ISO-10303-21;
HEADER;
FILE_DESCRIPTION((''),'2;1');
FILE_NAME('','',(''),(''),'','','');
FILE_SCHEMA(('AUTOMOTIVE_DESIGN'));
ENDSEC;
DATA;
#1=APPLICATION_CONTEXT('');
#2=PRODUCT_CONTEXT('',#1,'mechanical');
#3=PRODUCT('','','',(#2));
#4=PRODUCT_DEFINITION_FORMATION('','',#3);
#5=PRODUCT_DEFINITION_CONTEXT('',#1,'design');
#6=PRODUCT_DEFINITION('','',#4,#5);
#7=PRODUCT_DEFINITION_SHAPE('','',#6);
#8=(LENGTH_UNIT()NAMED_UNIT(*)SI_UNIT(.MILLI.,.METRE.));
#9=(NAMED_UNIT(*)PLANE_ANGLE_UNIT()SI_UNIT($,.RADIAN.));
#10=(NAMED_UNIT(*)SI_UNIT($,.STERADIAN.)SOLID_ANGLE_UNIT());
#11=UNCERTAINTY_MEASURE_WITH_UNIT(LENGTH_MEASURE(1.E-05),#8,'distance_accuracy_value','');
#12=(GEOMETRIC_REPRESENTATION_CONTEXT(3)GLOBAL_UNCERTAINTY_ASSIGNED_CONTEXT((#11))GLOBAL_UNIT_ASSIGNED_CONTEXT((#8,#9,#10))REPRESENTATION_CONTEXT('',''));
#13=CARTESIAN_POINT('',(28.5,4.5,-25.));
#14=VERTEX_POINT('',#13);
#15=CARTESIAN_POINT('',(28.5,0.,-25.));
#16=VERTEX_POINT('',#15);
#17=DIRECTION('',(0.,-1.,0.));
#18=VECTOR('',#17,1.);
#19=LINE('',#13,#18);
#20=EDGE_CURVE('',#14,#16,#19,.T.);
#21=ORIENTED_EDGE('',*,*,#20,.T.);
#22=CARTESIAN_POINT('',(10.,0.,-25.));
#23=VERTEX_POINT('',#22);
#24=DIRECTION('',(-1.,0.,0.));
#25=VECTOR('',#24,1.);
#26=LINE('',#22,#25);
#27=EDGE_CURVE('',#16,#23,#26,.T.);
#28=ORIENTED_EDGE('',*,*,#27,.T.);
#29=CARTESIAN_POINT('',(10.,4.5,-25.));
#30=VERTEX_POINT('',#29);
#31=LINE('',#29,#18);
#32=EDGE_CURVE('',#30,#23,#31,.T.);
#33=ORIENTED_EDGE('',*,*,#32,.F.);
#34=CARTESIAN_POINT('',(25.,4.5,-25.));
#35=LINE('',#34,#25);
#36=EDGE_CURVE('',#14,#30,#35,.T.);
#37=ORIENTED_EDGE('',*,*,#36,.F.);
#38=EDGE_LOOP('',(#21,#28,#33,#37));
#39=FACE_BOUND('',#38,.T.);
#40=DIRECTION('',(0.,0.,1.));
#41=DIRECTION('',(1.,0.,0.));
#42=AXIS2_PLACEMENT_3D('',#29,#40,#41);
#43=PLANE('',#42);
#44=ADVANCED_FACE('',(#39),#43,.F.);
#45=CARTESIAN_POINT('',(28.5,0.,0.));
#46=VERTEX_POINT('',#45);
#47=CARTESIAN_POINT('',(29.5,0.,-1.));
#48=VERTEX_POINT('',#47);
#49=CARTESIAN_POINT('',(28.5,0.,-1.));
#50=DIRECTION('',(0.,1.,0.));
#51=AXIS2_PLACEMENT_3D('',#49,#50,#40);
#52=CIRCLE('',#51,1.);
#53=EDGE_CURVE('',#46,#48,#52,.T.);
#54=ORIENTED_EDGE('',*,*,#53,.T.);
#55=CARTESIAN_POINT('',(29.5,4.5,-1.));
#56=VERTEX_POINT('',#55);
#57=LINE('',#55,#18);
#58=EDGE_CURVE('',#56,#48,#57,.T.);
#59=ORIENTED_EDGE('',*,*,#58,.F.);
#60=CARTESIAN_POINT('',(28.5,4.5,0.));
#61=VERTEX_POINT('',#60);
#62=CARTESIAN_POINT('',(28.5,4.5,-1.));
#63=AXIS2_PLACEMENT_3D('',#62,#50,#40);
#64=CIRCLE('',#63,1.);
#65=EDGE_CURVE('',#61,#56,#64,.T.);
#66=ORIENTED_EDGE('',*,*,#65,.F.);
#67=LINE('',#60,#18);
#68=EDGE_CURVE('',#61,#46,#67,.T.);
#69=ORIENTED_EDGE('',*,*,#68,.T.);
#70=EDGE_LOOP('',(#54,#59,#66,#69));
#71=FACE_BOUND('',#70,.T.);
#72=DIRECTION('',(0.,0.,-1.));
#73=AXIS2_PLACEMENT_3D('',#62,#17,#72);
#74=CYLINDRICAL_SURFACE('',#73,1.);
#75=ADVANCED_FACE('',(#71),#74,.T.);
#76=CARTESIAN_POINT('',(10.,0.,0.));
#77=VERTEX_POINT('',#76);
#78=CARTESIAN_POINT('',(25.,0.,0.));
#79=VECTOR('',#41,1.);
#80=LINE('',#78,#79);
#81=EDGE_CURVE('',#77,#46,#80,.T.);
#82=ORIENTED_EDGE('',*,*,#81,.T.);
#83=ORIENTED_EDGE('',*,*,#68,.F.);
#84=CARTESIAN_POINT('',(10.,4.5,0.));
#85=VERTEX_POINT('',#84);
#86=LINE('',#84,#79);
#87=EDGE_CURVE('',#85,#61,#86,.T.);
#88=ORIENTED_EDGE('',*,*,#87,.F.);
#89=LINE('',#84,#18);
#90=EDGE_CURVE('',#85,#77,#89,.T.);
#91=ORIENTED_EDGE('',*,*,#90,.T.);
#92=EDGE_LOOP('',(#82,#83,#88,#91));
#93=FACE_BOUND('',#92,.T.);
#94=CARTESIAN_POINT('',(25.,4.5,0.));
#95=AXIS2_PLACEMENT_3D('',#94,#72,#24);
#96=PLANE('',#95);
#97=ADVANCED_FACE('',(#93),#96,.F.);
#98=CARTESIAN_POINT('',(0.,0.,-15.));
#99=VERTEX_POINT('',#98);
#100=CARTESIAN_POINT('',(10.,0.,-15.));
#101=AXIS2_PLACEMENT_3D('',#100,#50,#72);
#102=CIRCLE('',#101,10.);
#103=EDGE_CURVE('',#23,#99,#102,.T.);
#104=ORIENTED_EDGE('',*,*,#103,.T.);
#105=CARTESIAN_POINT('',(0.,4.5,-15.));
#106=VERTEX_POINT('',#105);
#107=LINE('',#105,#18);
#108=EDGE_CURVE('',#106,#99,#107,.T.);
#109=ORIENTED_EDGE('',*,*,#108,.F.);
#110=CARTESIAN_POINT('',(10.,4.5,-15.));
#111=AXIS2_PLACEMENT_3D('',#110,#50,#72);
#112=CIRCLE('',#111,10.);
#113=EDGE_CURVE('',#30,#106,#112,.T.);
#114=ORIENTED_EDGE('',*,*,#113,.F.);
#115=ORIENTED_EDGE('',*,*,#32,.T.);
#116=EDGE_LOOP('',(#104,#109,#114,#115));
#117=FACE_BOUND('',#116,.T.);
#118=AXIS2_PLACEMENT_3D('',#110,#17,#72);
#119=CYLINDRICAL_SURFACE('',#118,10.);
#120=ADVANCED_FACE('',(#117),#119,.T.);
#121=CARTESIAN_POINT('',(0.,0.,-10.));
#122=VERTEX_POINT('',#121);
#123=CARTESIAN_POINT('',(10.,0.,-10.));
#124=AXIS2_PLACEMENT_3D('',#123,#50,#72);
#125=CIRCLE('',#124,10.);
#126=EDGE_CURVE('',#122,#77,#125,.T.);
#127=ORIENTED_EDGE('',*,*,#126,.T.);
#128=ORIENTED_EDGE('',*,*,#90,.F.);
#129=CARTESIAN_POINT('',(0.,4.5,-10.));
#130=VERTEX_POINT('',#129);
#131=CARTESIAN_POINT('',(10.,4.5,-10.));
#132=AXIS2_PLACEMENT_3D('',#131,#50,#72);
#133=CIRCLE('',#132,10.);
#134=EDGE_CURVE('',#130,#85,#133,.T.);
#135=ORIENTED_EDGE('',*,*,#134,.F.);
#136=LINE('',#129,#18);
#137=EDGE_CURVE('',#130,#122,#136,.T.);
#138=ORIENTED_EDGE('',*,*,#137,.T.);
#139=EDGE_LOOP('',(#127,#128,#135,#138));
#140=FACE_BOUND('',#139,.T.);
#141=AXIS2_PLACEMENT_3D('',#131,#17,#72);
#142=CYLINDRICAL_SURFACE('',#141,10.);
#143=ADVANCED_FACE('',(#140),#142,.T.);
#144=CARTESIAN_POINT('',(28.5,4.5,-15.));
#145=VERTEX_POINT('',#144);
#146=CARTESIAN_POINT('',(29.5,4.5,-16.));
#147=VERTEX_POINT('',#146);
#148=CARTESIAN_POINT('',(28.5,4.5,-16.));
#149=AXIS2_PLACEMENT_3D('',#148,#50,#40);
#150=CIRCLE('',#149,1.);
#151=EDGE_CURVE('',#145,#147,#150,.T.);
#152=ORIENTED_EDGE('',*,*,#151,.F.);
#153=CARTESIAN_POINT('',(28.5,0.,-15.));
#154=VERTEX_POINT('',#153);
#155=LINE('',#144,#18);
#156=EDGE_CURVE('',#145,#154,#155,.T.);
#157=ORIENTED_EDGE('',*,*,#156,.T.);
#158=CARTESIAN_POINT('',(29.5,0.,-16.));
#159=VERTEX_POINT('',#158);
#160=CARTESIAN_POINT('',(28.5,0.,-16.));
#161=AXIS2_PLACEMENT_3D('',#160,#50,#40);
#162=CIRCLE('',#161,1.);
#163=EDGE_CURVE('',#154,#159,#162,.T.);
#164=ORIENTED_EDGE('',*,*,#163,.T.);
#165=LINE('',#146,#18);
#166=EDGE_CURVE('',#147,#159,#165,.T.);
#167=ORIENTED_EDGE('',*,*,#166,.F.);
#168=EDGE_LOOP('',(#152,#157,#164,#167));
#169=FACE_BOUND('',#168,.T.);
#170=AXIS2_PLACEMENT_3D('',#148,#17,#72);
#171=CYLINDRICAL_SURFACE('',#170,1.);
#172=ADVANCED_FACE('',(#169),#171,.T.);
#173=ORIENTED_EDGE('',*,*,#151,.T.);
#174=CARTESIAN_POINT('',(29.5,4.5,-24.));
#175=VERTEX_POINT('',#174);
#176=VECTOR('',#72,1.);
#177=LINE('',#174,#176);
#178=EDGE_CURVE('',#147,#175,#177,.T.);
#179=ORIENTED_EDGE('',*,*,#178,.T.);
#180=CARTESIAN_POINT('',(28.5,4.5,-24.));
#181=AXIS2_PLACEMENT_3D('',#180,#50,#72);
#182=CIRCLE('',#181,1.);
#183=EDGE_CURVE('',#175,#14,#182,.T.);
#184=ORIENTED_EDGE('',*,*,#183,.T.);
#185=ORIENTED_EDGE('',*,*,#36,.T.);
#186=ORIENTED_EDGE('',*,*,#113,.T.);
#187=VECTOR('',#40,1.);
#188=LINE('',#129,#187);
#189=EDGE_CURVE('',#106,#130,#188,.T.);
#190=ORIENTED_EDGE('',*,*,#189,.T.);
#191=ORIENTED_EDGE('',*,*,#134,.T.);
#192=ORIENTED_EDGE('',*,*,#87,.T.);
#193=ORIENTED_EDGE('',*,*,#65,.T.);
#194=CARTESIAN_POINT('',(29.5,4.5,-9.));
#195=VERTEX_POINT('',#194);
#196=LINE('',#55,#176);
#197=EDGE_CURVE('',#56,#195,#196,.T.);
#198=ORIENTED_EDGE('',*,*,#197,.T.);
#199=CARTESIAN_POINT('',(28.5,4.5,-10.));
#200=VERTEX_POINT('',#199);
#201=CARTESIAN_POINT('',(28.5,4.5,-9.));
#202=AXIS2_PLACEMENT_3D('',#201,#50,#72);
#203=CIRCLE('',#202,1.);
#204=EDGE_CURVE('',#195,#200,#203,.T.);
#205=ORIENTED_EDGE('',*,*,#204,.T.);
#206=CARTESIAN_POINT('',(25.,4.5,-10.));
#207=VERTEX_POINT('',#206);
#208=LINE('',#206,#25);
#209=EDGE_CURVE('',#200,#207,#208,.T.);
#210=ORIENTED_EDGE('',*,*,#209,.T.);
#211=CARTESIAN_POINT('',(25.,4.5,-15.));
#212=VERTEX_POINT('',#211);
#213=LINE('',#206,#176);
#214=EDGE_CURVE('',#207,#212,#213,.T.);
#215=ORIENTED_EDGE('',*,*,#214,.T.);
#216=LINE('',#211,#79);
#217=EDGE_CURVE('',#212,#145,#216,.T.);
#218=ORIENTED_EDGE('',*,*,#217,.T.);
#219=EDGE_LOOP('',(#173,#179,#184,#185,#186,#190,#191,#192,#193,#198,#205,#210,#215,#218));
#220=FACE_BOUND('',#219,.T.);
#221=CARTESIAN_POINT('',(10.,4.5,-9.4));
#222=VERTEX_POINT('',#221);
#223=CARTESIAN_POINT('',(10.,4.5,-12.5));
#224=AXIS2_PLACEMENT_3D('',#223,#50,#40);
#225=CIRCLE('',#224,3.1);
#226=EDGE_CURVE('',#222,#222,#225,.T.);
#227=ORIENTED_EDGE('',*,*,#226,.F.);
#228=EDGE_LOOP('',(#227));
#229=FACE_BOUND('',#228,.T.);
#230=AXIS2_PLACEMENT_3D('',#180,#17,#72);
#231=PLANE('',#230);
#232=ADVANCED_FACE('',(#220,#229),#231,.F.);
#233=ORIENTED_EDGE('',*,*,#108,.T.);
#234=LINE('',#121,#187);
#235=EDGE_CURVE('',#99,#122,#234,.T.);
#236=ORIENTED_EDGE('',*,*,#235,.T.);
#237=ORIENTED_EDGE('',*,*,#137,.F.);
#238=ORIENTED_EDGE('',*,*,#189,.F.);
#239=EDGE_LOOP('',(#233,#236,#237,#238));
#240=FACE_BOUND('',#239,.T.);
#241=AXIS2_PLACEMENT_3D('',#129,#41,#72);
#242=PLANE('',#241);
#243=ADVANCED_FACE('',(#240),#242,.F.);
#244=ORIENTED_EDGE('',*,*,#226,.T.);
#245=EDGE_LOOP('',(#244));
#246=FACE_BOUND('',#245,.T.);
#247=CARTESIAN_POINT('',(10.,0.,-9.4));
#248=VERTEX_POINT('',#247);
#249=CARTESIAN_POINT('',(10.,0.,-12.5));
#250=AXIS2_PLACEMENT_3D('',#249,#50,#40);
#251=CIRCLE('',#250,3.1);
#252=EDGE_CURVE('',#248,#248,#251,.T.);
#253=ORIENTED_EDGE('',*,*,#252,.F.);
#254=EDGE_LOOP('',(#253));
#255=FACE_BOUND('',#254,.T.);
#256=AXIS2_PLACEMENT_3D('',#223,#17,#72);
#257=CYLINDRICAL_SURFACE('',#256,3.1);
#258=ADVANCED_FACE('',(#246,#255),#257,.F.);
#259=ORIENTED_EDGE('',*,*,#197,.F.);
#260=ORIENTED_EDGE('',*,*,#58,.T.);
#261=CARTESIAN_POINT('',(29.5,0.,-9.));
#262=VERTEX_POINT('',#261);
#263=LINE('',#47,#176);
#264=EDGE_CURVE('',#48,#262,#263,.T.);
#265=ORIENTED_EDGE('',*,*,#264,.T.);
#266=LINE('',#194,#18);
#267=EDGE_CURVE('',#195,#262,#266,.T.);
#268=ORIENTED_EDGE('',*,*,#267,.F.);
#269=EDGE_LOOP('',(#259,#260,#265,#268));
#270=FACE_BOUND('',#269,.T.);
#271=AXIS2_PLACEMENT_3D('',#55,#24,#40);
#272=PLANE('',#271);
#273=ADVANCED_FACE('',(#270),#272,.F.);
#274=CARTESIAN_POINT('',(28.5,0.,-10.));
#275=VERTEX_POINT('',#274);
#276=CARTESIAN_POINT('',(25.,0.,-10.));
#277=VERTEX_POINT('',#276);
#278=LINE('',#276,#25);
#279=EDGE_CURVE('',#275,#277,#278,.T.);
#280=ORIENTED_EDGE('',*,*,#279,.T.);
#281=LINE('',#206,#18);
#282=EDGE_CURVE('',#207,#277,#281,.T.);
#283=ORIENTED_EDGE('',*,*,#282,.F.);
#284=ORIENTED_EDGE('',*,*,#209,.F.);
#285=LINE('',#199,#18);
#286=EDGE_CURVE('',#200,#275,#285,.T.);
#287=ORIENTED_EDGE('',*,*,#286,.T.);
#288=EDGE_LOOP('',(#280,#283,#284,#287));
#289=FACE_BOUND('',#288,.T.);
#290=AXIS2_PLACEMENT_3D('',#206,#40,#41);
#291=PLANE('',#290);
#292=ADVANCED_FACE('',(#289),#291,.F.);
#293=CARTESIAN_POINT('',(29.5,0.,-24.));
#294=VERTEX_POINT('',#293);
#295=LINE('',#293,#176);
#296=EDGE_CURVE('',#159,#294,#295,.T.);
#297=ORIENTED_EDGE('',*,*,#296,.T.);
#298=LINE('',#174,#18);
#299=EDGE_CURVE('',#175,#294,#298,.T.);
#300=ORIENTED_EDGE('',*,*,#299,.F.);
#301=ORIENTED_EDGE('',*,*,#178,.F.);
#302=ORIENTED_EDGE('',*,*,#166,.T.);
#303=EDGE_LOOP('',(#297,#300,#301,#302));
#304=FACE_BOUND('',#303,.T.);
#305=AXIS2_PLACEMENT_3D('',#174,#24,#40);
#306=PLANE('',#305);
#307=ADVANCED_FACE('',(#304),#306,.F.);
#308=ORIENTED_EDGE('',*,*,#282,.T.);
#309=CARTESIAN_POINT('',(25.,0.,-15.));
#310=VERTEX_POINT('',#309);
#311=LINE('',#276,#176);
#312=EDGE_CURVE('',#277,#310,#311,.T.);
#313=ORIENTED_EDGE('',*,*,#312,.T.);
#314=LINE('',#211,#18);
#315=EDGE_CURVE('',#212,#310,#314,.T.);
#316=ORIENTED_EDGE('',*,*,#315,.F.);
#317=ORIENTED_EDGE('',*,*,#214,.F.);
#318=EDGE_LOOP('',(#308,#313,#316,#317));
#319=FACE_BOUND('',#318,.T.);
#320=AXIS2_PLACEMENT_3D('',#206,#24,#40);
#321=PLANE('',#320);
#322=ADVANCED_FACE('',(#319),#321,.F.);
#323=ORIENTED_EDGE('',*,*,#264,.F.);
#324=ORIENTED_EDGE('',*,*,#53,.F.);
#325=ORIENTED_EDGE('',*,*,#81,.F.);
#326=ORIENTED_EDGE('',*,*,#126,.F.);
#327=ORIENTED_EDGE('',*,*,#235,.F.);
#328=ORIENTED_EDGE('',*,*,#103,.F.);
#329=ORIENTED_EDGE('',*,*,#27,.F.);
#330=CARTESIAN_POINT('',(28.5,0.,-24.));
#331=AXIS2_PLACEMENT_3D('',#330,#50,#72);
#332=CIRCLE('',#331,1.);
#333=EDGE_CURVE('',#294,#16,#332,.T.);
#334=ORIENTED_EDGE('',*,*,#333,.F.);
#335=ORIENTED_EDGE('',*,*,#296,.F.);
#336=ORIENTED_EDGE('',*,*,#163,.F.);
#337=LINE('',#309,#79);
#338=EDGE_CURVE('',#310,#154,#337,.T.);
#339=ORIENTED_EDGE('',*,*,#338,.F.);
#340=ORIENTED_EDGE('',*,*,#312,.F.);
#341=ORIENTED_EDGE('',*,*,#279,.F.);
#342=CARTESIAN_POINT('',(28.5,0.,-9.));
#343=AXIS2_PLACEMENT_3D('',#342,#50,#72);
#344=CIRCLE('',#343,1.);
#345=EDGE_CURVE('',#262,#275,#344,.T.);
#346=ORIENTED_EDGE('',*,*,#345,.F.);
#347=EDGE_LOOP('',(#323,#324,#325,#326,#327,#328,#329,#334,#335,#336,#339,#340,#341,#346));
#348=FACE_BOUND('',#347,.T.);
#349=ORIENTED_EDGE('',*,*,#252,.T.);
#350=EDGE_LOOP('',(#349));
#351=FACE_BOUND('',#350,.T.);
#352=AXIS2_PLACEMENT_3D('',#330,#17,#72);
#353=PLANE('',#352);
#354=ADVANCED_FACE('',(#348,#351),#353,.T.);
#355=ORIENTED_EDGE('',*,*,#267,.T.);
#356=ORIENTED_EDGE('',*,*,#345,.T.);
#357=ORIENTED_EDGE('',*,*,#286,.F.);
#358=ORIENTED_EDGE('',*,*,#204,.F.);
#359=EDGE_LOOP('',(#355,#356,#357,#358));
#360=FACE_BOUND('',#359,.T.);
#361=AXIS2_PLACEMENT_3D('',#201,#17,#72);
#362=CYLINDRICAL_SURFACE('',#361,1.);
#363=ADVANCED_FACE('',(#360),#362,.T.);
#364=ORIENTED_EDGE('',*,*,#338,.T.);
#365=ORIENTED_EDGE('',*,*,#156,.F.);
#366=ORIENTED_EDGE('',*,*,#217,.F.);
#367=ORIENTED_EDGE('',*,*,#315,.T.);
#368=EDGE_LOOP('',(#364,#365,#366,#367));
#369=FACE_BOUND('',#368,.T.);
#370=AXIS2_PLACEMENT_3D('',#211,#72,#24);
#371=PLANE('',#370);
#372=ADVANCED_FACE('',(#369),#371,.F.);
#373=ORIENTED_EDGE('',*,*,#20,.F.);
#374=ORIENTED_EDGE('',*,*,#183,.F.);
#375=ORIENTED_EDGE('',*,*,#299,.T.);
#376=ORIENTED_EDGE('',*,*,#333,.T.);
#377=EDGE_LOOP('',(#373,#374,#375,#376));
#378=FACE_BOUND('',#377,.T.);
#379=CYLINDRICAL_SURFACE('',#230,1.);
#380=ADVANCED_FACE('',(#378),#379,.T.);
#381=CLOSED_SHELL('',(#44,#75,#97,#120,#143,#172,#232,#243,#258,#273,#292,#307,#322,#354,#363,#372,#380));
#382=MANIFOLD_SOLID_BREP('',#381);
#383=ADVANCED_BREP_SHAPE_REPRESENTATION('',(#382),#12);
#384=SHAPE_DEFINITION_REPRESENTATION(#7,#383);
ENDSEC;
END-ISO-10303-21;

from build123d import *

# Parameters (mm, degrees)
SKETCH1_R           = 3.1
BOSS_EXTRUDE1_DEPTH = 4.5


with BuildPart() as part:
    # Sketch1 → Boss-Extrude1 (new body)
    with BuildSketch(Plane(origin=(0, 0, 0), x_dir=(1, 0, 0), z_dir=(0, 1, 0))):
        with BuildLine():
            Line((10, 0), (25, 0))
            Line((25, 0), (28.5, 0))
            ThreePointArc((28.5, 0), (29.207106781, 0.292893219), (29.5, 1))
            Line((29.5, 1), (29.5, 9))
            ThreePointArc((29.5, 9), (29.207106781, 9.707106781), (28.5, 10))
            Line((28.5, 10), (25, 10))
            Line((25, 10), (25, 15))
            Line((25, 15), (28.5, 15))
            ThreePointArc((28.5, 15), (29.207106781, 15.292893219), (29.5, 16))
            Line((29.5, 16), (29.5, 24))
            ThreePointArc((29.5, 24), (29.207106781, 24.707106781), (28.5, 25))
            Line((28.5, 25), (25, 25))
            Line((25, 25), (10, 25))
            ThreePointArc((10, 25), (2.928932188, 22.071067812), (0, 15))
            Line((0, 15), (0, 10))
            ThreePointArc((0, 10), (2.928932188, 2.928932188), (10, 0))
        make_face()
        with Locations(Location((10, 12.5, 0), (0, 0, 270))):
            Circle(SKETCH1_R, mode=Mode.SUBTRACT)
    extrude(amount=BOSS_EXTRUDE1_DEPTH)


solid = part.part
